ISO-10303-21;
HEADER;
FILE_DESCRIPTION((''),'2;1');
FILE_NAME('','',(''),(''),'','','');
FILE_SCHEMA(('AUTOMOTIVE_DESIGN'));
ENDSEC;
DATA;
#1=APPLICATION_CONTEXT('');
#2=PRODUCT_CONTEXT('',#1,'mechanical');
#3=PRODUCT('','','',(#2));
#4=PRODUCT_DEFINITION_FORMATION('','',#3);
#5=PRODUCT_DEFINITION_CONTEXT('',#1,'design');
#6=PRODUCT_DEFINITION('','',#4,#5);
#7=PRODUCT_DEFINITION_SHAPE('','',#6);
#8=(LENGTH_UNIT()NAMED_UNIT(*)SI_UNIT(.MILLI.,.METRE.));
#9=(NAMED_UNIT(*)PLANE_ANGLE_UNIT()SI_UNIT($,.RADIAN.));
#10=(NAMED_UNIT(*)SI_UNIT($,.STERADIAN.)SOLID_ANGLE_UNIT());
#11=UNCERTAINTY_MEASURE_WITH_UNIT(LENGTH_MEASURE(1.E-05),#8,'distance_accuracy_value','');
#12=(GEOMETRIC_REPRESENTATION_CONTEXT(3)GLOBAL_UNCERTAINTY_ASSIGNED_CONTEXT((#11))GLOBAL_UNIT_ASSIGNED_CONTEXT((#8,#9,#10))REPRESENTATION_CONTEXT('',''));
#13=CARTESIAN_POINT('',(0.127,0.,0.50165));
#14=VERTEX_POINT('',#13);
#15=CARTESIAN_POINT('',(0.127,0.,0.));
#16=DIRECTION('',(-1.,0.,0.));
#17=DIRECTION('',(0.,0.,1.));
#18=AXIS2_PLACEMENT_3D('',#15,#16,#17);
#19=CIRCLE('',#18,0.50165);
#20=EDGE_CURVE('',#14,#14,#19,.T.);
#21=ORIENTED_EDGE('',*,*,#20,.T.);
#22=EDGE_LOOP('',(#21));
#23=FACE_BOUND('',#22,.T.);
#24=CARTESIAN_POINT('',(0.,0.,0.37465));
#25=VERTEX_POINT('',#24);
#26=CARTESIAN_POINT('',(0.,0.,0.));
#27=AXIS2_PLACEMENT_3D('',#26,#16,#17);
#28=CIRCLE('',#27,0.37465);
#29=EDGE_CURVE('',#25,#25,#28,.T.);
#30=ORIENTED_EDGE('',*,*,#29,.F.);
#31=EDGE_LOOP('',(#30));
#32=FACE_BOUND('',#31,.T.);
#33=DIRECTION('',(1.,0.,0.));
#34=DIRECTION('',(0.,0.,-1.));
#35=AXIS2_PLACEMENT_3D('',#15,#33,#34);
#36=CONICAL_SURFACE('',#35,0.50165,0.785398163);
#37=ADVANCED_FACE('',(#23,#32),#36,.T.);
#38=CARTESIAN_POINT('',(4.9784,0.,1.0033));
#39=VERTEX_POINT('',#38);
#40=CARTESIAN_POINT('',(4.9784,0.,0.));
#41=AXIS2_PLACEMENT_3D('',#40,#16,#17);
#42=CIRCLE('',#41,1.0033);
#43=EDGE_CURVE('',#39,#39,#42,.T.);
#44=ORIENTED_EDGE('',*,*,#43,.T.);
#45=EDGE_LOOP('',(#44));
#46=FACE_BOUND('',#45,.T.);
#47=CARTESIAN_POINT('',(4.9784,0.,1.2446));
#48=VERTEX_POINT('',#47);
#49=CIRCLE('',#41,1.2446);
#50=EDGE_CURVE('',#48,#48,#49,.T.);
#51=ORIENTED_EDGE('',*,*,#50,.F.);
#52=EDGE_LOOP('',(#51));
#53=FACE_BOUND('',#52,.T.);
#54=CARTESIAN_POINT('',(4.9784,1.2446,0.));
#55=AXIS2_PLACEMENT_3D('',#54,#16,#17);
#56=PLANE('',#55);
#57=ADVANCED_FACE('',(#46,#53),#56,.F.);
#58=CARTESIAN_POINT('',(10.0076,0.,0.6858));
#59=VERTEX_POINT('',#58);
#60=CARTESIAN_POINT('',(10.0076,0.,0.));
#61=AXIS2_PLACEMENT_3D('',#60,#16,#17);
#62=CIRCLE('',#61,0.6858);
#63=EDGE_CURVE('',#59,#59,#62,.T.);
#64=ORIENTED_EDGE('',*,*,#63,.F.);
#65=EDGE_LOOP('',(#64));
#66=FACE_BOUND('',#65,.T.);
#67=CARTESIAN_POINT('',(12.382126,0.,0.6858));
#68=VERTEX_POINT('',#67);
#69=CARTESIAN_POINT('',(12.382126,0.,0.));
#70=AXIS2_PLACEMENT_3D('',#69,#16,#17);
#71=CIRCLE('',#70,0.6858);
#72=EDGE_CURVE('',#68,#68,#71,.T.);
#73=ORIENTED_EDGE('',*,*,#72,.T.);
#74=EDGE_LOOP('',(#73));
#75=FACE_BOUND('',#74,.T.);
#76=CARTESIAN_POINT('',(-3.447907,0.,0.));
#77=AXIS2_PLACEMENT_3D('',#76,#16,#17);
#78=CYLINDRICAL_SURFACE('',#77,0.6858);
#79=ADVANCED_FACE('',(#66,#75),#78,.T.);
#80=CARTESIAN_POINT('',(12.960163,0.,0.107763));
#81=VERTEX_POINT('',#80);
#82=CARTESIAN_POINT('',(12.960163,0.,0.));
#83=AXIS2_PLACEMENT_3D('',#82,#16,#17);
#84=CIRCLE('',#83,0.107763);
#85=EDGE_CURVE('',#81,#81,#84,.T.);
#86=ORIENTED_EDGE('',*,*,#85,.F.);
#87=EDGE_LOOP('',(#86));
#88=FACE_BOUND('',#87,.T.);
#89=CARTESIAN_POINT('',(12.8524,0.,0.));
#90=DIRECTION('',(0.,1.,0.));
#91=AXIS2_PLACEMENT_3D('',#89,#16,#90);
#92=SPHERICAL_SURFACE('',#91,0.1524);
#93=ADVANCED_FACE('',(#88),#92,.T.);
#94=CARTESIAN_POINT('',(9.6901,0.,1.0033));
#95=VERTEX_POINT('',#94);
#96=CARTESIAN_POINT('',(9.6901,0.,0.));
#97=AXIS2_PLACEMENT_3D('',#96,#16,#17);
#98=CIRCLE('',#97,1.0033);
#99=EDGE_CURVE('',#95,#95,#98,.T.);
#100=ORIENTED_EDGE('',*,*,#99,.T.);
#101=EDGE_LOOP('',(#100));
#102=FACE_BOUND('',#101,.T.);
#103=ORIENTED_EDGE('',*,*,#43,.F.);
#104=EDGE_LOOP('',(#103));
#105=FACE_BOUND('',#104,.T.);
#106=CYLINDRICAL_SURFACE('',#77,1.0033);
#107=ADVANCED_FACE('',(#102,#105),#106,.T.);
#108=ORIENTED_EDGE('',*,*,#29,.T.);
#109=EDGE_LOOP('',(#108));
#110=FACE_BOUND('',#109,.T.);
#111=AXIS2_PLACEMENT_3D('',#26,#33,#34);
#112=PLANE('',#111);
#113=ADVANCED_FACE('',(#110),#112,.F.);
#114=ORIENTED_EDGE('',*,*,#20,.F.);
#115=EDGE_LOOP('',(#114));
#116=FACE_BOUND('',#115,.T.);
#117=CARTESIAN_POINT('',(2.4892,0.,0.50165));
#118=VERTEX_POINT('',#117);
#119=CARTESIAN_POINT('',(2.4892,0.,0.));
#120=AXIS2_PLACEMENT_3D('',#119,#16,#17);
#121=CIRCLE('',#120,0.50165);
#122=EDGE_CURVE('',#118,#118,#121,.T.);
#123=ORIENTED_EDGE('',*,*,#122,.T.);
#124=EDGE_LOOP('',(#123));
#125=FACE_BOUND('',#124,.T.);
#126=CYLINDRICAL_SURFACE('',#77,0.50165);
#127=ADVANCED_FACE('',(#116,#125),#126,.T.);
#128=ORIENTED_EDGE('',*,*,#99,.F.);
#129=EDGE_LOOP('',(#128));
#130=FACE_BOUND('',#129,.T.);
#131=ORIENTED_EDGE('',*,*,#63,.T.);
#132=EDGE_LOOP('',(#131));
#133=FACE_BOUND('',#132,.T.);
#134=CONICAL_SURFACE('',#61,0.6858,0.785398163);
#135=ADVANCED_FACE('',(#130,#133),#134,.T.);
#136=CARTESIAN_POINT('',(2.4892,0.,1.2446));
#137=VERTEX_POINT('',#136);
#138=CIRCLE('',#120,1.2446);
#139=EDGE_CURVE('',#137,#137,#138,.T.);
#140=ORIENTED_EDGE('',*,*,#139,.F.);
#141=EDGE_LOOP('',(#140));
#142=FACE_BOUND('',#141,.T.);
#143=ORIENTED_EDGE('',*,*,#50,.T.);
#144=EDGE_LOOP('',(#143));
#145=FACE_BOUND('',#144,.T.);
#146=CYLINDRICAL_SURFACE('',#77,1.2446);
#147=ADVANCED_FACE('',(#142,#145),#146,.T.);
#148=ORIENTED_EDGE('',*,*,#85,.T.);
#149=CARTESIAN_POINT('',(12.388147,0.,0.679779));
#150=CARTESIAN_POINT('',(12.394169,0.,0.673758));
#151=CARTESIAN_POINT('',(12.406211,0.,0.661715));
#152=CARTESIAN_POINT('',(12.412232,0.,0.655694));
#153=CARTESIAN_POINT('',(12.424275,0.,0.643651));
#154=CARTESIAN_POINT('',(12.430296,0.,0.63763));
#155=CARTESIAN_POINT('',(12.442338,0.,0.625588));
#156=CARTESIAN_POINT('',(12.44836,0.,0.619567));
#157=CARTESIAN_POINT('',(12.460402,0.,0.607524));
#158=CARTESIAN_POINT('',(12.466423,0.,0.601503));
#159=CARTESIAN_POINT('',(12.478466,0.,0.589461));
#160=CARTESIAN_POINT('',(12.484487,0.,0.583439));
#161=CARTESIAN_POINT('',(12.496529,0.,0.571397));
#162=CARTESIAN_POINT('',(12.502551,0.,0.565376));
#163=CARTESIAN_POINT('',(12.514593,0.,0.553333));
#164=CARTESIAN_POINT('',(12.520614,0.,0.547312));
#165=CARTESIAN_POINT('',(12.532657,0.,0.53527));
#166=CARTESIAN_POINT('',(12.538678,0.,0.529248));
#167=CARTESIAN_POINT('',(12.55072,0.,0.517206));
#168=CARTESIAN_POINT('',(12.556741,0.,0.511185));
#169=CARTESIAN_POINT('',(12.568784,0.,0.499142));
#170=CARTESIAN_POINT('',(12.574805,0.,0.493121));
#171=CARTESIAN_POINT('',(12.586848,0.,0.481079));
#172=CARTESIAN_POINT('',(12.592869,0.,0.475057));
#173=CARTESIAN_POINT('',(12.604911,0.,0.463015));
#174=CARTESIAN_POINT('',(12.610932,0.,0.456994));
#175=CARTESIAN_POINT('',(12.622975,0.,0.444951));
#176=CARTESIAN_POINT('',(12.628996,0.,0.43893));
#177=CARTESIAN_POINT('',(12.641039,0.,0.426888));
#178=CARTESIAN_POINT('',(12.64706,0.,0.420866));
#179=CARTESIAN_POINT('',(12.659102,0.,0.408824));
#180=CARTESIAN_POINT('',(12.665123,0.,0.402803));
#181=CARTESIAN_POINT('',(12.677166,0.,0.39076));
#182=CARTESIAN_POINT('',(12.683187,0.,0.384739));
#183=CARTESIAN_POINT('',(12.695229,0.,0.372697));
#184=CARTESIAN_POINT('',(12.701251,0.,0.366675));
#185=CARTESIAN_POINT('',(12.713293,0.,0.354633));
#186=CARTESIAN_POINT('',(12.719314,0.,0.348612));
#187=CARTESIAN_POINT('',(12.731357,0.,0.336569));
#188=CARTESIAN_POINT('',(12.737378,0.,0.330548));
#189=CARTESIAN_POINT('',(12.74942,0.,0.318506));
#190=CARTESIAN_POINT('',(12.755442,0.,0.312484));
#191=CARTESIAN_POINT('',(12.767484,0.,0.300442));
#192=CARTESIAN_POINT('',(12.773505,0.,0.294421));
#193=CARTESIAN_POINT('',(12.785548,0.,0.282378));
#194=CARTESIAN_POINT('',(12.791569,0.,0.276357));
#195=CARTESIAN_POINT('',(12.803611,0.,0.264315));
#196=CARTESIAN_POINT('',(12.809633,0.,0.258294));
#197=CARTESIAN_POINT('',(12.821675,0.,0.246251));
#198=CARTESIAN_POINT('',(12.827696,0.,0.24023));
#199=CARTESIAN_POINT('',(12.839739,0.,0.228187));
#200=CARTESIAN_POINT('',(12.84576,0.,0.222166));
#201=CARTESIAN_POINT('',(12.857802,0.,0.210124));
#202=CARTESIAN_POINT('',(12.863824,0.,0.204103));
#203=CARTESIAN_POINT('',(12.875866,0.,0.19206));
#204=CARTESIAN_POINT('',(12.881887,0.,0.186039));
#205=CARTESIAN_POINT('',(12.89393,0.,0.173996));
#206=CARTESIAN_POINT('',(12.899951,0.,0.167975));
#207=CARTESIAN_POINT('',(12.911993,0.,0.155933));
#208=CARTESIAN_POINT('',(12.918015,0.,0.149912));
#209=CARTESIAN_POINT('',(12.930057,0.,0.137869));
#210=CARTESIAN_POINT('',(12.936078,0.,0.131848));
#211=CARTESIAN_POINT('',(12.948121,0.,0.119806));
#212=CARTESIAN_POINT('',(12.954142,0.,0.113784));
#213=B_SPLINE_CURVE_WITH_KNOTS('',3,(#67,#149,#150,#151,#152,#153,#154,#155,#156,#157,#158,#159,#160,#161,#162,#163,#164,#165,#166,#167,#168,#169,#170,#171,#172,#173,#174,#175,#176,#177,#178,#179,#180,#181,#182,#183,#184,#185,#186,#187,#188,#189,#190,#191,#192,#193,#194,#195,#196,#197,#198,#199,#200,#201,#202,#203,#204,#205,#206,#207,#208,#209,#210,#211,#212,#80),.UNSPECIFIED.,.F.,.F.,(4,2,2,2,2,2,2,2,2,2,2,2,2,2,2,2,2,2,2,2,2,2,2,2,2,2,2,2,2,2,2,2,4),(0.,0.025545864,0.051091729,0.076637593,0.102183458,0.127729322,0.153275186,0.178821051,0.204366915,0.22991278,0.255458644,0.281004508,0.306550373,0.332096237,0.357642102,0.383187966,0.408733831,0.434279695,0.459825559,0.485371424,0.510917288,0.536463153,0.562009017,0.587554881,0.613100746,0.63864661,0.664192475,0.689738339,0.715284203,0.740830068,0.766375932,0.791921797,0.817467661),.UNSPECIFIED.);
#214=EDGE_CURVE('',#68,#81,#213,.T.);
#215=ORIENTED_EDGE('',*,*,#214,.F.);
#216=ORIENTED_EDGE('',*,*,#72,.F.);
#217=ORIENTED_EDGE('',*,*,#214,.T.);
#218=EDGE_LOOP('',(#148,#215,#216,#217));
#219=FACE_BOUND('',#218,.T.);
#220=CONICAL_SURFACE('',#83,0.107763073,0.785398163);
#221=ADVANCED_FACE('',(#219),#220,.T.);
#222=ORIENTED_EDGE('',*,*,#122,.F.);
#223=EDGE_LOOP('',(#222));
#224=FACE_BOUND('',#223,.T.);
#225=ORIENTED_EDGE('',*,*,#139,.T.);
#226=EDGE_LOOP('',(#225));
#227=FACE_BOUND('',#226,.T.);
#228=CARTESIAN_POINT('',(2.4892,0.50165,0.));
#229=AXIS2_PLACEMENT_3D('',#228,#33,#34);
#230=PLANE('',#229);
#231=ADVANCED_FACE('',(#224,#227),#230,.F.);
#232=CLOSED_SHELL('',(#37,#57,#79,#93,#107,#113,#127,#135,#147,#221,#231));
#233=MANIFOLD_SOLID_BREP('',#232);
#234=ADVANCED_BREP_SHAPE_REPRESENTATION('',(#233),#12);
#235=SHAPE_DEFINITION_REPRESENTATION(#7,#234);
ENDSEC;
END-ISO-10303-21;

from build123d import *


with BuildPart() as part:
    # Sketch1 → Revolve1 (revolve)
    with BuildSketch(Plane.XY, mode=Mode.PRIVATE) as revolve1_sk:
        with BuildLine():
            Line((0, 0), (0, 0.37465))
            Line((0, 0.37465), (0.127, 0.50165))
            Line((0.127, 0.50165), (2.4892, 0.50165))
            Line((2.4892, 0.50165), (2.4892, 1.2446))
            Line((2.4892, 1.2446), (4.9784, 1.2446))
            Line((4.9784, 1.2446), (4.9784, 1.0033))
            Line((4.9784, 1.0033), (9.6901, 1.0033))
            Line((9.6901, 1.0033), (10.0076, 0.6858))
            Line((10.0076, 0.6858), (12.382126147, 0.6858))
            Line((12.382126147, 0.6858), (12.960163073, 0.107763073))
            ThreePointArc((12.960163073, 0.107763073), (12.993199241, 0.058320955), (13.0048, 0))
            Line((13.0048, 0), (0, 0))
        make_face()
    revolve(revolve1_sk.sketch.rotate(Axis((-3.44790705, 0, 0), (1, 0, 0)), 90), axis=Axis((-3.44790705, 0, 0), (1, 0, 0)))


solid = part.part
